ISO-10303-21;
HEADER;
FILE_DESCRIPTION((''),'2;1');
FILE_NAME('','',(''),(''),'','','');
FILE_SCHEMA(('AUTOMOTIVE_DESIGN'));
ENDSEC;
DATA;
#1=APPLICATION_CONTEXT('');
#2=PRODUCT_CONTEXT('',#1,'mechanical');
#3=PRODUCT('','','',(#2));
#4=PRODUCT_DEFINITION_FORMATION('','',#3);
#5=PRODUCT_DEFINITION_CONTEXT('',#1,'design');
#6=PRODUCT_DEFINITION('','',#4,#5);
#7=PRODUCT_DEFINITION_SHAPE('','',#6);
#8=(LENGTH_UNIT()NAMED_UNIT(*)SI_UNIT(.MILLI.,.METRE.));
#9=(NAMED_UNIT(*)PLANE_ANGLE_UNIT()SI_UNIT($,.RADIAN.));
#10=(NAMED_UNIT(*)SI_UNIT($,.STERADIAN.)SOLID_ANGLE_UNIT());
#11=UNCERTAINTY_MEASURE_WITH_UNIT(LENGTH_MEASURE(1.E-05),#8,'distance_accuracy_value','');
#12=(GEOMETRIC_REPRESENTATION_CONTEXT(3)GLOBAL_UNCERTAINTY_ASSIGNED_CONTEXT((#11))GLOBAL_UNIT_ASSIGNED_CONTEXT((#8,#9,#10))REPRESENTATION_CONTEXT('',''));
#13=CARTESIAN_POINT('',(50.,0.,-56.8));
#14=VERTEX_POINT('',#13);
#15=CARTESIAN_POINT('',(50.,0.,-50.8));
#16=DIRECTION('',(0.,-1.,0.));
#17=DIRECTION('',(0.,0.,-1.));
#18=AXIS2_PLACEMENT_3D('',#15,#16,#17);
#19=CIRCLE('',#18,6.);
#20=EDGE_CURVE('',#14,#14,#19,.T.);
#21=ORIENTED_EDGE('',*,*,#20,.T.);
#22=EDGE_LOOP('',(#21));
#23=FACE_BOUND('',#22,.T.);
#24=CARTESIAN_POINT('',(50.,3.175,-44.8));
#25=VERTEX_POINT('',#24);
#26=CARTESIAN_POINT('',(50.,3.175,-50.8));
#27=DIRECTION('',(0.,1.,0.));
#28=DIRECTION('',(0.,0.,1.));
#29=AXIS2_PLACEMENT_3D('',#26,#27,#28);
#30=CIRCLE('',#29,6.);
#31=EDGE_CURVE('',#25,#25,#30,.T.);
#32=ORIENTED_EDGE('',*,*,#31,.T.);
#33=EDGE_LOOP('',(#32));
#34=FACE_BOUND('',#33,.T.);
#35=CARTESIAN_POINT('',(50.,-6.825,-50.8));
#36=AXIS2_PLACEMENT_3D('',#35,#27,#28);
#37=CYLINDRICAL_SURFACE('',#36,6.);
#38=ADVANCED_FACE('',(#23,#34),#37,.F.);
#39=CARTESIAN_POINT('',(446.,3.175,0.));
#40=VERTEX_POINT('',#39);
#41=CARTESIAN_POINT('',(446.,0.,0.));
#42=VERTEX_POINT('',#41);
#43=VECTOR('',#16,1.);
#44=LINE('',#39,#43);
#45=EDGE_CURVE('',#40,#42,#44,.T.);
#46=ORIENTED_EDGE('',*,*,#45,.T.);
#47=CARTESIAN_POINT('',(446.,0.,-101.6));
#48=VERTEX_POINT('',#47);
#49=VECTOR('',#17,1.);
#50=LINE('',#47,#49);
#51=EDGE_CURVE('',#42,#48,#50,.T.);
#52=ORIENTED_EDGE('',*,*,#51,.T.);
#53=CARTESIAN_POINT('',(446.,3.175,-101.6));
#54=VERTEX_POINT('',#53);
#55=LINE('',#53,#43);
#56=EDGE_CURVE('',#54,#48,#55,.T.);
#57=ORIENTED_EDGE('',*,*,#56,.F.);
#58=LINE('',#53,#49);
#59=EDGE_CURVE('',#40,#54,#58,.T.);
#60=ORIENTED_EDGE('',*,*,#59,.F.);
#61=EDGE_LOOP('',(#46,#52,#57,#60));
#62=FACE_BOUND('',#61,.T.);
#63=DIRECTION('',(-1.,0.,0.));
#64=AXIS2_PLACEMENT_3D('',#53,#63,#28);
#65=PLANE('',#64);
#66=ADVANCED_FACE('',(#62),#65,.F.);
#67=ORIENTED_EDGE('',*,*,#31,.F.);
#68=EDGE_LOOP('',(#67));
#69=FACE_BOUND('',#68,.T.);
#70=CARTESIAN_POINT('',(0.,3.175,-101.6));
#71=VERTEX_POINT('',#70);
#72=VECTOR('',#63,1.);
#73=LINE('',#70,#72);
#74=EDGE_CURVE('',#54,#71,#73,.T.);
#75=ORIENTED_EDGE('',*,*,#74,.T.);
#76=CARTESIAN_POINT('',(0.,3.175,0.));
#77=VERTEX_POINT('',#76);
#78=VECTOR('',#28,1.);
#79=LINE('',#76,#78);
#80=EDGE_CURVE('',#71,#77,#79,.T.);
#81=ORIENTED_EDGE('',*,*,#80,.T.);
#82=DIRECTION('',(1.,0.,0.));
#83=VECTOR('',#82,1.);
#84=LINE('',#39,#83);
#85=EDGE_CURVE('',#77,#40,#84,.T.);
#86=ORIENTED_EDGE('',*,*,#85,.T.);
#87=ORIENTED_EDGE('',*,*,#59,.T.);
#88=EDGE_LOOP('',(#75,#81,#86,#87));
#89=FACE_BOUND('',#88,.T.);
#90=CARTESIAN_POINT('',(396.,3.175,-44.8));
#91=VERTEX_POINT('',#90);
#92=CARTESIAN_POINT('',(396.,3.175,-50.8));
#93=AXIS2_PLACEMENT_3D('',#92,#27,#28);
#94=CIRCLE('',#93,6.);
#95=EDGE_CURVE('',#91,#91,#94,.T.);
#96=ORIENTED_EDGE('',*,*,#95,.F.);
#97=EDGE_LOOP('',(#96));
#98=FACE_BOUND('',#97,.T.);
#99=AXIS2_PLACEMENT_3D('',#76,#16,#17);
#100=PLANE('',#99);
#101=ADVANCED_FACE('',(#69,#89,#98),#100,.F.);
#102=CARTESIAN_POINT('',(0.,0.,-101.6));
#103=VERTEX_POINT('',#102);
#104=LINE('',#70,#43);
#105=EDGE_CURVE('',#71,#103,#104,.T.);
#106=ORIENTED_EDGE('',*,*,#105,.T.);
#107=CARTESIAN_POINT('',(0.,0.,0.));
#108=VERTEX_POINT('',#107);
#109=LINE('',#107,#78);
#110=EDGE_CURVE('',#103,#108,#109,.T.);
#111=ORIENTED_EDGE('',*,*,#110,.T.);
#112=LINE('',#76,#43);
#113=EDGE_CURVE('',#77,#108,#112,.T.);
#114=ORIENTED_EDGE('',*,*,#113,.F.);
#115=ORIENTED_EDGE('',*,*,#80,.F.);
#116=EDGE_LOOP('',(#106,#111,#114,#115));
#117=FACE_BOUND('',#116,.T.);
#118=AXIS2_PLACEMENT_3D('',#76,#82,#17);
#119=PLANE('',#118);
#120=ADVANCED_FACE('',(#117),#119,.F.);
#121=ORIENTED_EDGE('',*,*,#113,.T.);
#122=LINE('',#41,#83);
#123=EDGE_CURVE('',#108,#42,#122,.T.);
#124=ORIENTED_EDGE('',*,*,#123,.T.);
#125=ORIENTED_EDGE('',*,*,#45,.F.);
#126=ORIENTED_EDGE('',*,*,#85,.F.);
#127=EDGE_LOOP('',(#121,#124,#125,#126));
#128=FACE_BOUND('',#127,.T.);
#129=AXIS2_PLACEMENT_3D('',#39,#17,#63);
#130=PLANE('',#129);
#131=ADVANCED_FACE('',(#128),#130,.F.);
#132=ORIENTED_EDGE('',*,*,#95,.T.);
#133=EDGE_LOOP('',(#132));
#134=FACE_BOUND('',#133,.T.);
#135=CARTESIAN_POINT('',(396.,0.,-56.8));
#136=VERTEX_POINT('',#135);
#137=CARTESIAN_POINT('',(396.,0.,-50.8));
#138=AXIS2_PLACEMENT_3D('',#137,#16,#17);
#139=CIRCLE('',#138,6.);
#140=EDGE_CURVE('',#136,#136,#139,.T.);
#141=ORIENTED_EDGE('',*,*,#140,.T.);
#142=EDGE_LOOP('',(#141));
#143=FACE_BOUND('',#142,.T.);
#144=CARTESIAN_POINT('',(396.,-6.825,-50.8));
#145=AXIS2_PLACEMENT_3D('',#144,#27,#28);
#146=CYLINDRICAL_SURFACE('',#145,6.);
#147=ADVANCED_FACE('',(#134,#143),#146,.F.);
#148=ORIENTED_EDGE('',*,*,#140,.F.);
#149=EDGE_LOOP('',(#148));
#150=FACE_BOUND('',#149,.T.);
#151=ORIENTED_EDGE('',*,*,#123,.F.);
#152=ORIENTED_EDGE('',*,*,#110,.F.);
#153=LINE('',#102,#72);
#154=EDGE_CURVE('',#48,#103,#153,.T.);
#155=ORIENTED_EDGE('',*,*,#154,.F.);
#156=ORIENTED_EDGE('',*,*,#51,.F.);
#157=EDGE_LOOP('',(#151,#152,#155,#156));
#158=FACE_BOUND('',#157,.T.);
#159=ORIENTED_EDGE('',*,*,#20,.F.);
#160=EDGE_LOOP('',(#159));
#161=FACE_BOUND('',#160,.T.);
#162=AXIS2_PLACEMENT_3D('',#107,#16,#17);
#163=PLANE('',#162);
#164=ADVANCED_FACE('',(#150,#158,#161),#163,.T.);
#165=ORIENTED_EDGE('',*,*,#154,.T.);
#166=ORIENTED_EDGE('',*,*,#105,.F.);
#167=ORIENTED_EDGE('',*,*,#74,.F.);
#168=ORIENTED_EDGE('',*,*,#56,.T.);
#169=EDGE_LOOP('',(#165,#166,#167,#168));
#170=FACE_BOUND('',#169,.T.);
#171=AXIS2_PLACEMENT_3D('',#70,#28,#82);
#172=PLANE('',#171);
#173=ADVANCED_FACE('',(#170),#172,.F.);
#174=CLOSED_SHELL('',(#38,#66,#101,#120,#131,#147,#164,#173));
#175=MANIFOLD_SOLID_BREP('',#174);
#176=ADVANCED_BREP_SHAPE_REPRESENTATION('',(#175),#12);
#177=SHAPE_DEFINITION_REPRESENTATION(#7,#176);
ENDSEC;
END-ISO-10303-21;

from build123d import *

# Parameters (mm, degrees)
SKETCH1_W           = 446
SKETCH1_H           = 101.6
BOSS_EXTRUDE1_DEPTH = 3.175
SKETCH2_R           = 6
CUT_EXTRUDE1_DEPTH  = 10


with BuildPart() as part:
    # Sketch1 → Boss-Extrude1 (new body)
    with BuildSketch(Plane(origin=(0, 0, 0), x_dir=(1, 0, 0), z_dir=(0, 1, 0))):
        with Locations((223, 50.8)):
            Rectangle(SKETCH1_W, SKETCH1_H)
    extrude(amount=BOSS_EXTRUDE1_DEPTH)

    # Sketch2 → Cut-Extrude1 (cut)
    with BuildSketch(Plane(origin=(0, 3.175, 0), x_dir=(1, 0, 0), z_dir=(0, 1, 0))):
        with Locations(Location((50, 50.8, 0), (0, 0, 270))):
            Circle(SKETCH2_R)
        with Locations(Location((396, 50.8, 0), (0, 0, 270))):
            Circle(SKETCH2_R)
    extrude(amount=-CUT_EXTRUDE1_DEPTH, mode=Mode.SUBTRACT)


solid = part.part
